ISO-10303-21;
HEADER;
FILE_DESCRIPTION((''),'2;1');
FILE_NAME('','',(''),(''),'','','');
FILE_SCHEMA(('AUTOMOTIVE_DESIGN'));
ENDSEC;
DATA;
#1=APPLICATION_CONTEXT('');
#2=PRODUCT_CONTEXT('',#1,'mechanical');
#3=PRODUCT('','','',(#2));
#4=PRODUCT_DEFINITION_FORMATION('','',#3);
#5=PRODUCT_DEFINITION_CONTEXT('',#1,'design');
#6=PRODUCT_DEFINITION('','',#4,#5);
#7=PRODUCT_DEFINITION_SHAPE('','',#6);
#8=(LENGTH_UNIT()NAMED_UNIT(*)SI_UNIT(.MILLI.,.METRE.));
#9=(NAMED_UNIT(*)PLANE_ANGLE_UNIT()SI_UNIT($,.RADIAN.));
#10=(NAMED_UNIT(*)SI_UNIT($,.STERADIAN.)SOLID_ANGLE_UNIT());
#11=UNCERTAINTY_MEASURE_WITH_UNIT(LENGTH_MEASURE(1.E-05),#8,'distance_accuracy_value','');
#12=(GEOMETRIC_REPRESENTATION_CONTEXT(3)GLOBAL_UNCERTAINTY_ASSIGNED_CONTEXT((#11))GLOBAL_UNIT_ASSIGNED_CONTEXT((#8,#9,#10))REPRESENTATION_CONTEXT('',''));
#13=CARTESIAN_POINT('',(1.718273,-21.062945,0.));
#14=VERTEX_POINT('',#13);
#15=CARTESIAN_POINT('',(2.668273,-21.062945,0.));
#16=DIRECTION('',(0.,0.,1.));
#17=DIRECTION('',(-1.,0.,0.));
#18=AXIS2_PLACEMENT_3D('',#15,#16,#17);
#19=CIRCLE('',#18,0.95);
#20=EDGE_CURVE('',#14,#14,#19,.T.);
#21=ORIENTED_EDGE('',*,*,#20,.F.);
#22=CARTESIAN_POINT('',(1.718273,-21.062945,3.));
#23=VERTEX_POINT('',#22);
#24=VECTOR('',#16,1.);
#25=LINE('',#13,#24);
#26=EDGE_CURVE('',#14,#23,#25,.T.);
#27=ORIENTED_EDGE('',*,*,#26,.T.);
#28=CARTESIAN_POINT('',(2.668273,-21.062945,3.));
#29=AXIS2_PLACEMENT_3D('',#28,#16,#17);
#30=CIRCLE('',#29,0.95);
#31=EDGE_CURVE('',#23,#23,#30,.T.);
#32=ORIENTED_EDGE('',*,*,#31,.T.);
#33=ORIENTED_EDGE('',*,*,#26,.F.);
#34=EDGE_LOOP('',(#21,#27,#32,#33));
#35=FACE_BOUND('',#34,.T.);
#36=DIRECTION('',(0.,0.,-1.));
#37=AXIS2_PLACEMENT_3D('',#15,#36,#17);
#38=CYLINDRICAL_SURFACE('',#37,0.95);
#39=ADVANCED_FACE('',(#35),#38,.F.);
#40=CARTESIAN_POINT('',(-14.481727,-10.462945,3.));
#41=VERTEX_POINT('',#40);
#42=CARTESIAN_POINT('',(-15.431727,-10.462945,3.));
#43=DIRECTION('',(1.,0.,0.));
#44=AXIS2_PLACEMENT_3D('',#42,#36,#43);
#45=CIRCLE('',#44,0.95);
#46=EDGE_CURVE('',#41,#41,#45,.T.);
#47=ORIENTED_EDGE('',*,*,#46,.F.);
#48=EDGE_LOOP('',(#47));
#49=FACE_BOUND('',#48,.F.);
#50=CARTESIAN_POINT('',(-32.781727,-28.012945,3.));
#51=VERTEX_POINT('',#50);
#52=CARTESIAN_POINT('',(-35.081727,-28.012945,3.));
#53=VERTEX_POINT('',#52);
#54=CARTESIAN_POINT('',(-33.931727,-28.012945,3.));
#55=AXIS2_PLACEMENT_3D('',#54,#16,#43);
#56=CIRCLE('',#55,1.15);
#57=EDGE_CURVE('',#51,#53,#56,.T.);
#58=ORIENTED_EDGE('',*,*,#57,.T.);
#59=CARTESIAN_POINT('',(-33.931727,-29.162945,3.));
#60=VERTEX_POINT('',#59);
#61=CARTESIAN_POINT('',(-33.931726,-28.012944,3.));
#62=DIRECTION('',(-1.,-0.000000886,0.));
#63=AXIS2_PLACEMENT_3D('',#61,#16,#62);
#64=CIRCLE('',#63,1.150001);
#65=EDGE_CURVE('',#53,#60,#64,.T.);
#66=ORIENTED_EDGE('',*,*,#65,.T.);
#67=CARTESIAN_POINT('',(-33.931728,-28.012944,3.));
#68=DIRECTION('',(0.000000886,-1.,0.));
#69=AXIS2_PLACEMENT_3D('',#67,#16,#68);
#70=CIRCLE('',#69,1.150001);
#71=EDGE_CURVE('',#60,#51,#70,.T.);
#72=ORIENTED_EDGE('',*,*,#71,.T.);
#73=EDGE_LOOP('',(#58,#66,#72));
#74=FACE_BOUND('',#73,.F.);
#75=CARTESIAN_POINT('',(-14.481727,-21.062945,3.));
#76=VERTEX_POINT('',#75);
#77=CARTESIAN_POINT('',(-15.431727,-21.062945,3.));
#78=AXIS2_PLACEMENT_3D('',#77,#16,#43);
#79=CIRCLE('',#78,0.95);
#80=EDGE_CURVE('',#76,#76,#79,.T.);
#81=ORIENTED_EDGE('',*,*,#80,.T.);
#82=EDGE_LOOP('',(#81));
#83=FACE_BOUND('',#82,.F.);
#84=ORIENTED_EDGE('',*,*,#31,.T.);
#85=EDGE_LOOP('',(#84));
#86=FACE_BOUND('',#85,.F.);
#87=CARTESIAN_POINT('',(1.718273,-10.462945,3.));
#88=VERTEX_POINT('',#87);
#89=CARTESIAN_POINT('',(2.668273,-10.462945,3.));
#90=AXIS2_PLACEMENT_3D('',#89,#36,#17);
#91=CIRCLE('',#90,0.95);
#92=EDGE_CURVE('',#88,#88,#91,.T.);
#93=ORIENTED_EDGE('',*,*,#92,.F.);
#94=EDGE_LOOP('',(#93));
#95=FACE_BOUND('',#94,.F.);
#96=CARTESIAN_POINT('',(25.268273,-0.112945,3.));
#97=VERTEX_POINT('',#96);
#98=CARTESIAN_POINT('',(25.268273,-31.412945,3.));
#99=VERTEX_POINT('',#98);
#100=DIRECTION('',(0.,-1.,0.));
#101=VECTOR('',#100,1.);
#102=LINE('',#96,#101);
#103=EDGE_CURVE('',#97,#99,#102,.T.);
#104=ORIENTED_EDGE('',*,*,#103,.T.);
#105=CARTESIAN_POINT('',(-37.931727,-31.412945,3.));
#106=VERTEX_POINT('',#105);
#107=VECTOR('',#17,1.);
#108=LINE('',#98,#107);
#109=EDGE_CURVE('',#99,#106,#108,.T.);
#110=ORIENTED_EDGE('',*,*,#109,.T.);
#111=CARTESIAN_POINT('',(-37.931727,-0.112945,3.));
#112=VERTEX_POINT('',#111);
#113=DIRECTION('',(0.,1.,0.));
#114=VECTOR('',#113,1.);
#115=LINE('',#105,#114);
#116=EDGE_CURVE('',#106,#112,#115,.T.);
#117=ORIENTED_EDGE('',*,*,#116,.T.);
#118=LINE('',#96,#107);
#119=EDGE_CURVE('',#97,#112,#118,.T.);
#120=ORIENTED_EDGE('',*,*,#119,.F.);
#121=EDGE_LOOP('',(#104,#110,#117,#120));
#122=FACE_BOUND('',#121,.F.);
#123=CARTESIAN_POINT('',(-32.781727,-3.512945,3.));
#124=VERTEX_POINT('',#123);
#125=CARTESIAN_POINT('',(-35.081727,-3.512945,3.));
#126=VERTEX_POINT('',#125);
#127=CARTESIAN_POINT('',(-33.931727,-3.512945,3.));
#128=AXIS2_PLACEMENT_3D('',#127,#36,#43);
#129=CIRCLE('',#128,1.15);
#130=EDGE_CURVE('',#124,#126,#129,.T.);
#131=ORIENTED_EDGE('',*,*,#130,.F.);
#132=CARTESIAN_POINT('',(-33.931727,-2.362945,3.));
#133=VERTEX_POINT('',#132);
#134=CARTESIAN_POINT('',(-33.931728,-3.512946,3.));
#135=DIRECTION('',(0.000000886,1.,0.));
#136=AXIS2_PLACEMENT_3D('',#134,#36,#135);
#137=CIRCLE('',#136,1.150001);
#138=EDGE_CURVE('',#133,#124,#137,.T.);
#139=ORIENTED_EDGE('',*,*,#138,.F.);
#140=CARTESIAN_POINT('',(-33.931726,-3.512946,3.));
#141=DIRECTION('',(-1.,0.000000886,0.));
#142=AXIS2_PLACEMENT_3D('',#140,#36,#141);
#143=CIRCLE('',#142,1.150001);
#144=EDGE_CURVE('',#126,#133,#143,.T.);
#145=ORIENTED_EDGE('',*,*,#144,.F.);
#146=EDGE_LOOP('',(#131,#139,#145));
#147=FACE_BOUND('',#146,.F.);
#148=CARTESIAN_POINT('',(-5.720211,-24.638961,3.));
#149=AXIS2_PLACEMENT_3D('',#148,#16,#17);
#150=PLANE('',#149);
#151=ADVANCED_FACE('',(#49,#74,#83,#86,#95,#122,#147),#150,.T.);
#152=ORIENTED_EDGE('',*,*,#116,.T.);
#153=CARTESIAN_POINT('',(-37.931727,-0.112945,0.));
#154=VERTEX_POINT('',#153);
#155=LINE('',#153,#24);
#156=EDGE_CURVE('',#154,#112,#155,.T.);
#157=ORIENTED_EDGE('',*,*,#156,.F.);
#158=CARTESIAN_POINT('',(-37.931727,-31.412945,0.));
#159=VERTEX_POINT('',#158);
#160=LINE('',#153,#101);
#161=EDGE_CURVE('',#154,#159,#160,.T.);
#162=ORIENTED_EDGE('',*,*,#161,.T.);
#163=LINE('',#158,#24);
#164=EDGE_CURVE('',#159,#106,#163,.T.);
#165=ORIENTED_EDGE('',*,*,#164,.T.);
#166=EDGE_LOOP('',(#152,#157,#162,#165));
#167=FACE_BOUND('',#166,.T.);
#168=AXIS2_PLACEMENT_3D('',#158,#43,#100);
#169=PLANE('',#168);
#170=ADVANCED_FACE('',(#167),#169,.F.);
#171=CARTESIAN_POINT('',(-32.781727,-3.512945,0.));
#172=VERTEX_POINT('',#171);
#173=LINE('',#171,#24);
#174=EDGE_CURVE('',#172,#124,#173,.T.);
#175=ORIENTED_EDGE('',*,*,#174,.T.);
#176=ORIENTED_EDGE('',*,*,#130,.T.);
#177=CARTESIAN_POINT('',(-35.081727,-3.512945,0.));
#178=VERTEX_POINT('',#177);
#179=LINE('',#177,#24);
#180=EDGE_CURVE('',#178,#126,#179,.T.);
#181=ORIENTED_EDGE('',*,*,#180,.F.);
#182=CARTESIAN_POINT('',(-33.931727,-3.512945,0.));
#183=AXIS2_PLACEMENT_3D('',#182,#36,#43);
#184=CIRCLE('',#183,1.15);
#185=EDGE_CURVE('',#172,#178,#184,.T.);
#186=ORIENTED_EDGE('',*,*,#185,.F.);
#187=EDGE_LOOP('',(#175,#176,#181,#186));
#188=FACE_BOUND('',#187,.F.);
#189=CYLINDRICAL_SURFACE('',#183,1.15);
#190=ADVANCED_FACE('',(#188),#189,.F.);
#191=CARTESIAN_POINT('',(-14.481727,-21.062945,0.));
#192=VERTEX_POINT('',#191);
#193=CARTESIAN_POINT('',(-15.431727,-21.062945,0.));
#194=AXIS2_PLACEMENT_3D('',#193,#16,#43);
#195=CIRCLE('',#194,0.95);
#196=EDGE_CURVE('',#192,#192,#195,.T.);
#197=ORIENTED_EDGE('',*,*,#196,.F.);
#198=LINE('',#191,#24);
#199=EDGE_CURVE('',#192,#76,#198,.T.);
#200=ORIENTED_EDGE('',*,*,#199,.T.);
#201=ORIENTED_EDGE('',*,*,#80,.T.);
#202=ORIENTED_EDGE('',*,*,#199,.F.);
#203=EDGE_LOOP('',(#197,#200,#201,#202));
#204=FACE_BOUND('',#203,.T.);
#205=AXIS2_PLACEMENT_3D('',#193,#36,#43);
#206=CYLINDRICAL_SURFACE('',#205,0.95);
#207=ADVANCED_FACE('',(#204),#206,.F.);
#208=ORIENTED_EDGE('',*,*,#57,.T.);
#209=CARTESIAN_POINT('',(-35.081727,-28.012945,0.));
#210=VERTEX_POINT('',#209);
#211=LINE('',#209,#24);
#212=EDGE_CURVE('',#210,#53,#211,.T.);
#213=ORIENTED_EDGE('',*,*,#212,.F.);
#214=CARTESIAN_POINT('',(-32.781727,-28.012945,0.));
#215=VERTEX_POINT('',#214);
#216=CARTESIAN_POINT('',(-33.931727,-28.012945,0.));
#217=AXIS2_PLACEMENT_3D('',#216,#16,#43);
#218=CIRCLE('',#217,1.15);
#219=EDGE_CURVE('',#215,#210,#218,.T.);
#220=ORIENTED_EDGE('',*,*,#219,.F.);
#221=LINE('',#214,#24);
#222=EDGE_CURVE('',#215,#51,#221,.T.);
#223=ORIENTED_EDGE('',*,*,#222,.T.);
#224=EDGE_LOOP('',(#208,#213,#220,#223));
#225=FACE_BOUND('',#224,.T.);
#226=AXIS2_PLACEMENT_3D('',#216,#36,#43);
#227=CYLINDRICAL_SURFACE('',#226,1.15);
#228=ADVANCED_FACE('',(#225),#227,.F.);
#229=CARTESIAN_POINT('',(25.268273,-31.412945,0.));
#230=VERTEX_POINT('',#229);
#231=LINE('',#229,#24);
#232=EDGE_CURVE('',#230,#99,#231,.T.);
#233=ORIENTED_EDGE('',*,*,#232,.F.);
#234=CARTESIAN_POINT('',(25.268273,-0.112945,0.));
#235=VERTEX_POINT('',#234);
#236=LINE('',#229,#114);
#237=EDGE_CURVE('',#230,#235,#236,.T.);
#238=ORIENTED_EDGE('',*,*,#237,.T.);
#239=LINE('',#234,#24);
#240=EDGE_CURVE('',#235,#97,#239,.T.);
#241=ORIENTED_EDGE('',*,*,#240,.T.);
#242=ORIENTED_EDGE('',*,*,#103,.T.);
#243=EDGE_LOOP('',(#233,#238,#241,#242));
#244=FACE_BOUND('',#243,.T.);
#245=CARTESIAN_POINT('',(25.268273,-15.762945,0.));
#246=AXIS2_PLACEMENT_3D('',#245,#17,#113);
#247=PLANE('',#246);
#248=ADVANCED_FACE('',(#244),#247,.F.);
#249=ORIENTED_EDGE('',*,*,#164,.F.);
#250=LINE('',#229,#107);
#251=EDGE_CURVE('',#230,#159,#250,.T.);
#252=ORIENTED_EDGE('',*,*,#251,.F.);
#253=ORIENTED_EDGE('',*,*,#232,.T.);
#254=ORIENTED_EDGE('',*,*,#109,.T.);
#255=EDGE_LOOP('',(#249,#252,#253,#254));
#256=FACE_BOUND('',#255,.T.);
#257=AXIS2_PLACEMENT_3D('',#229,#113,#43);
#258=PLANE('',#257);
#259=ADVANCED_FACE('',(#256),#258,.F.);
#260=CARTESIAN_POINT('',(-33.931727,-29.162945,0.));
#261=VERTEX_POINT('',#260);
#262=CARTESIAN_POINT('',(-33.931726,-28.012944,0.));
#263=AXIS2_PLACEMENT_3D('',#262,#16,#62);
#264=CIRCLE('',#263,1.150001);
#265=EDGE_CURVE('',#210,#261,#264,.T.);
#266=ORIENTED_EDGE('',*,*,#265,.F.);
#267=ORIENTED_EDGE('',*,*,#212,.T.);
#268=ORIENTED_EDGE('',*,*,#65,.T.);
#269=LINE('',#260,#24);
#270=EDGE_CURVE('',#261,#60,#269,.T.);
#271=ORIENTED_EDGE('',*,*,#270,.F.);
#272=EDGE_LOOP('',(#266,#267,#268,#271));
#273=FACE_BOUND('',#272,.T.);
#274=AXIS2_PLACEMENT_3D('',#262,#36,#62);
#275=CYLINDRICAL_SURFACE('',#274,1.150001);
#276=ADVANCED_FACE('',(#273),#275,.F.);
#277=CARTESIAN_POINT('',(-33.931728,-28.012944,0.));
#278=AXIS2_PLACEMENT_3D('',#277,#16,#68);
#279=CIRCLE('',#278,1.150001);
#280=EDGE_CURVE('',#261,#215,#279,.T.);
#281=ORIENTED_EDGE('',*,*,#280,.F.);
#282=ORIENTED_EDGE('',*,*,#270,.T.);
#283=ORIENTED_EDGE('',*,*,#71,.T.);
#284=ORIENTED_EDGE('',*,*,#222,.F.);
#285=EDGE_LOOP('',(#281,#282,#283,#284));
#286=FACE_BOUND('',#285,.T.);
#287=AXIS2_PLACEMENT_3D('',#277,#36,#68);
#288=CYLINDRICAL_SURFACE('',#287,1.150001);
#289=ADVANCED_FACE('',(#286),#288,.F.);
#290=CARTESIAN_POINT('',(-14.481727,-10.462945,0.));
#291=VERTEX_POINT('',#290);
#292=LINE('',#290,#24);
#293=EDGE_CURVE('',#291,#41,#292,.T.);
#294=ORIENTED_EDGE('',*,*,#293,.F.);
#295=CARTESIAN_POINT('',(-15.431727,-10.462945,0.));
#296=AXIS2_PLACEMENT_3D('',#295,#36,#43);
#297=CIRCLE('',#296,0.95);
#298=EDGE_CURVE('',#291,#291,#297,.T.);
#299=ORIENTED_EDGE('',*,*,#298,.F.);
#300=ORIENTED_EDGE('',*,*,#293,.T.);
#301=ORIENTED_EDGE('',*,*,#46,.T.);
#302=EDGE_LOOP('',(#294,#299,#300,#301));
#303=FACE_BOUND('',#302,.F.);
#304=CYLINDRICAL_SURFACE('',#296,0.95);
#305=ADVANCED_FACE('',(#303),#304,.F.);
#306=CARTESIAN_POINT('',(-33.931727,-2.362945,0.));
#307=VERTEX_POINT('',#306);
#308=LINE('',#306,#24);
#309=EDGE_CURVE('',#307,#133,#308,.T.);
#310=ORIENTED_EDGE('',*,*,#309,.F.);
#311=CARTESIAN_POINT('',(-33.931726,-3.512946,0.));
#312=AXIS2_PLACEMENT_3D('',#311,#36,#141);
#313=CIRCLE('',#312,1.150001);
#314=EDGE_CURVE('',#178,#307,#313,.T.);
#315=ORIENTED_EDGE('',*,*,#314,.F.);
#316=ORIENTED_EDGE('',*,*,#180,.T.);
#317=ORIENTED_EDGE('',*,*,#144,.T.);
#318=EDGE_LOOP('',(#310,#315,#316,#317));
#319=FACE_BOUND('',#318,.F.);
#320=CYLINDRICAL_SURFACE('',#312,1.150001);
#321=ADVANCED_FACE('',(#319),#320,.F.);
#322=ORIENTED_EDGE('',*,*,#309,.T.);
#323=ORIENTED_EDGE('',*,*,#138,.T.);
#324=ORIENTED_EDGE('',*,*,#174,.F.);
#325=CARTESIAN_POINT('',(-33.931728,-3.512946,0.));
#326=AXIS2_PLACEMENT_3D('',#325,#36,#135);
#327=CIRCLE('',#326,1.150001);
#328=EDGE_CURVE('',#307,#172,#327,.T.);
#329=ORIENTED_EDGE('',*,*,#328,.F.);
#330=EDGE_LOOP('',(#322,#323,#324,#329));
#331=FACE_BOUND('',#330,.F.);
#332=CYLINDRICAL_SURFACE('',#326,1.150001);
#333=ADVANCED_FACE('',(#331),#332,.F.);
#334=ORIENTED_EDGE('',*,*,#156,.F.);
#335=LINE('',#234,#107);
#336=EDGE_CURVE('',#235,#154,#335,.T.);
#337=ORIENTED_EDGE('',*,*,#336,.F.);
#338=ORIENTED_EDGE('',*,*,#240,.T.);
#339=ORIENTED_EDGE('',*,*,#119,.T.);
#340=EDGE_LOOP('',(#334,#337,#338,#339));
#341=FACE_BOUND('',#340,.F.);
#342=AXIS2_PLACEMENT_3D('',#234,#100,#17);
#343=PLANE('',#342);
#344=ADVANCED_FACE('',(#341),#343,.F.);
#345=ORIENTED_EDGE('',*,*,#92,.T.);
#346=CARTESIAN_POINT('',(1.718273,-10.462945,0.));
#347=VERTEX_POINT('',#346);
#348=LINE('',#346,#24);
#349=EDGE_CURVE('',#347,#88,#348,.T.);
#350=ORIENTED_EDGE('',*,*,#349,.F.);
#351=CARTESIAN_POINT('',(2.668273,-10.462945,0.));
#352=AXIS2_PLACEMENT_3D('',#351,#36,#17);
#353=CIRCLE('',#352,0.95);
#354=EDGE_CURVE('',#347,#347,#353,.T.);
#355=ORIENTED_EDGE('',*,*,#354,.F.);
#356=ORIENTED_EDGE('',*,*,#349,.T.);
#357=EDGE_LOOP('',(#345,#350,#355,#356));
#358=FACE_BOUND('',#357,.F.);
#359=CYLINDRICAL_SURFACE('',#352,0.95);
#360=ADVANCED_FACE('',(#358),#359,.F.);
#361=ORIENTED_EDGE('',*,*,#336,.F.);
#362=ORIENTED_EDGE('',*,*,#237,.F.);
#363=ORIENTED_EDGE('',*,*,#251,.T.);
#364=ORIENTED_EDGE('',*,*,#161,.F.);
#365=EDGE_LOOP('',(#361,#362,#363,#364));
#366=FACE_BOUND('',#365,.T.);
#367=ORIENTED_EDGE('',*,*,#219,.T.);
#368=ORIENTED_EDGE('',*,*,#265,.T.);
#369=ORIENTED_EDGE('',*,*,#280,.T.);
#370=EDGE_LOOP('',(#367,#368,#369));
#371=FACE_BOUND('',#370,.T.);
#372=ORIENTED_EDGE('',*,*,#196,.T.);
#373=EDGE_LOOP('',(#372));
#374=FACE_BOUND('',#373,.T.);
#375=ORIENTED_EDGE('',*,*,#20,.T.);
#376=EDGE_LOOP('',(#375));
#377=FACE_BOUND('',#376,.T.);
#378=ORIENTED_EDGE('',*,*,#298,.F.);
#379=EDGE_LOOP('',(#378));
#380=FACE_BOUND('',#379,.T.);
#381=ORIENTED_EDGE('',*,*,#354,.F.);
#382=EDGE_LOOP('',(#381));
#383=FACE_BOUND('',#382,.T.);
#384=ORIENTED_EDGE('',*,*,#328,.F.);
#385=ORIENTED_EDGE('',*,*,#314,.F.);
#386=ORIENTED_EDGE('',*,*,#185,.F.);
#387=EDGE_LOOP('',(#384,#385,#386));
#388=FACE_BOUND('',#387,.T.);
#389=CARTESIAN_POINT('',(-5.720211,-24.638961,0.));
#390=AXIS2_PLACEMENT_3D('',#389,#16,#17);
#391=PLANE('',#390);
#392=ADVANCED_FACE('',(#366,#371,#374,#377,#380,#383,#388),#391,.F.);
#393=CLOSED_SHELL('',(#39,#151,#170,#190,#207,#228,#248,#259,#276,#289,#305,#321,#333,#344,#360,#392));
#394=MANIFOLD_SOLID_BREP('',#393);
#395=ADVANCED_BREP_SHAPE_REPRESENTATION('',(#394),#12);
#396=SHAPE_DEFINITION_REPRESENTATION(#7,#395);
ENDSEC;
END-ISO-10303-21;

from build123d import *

# Parameters (mm, degrees)
F1_DEPTH = 3


with BuildPart() as f1:
    # F0 (on Top) → F1 (new body)
    with BuildSketch(Plane.XY):
        with BuildLine():
            Line((25.268273, -0.112945), (-33.931727, -0.112945))
            Line((-33.931727, -0.112945), (-33.931727, -2.362945))
            ThreePointArc((-33.931727, -2.362945), (-33.118554, -2.699773), (-32.781727, -3.512945))
            ThreePointArc((-32.781727, -3.512945), (-33.931727, -4.662945), (-35.081727, -3.512945))
            Line((-35.081727, -3.512945), (-37.931727, -3.512945))
            Line((-37.931727, -3.512945), (-37.931727, -10.462945))
            Line((-37.931727, -10.462945), (-16.381727, -10.462945))
            ThreePointArc((-16.381727, -10.462945), (-15.431727, -9.512945), (-14.481727, -10.462945))
            Line((-14.481727, -10.462945), (-5.3, -10.462945))
            Line((-5.3, -10.462945), (-5.3, -15.762945))
            Line((-5.3, -15.762945), (25.268273, -15.762945))
            Line((25.268273, -15.762945), (25.268273, -0.112945))
        make_face()
        with BuildLine():
            ThreePointArc((3.618273, -10.462945), (2.668273, -11.412945), (1.718273, -10.462945))
            ThreePointArc((1.718273, -10.462945), (2.668273, -9.512945), (3.618273, -10.462945))
        make_face(mode=Mode.SUBTRACT)
        with BuildLine():
            Line((-33.931727, -0.112945), (-37.931727, -0.112945))
            Line((-37.931727, -0.112945), (-37.931727, -3.512945))
            Line((-37.931727, -3.512945), (-35.081727, -3.512945))
            ThreePointArc((-35.081727, -3.512945), (-34.7449, -2.699773), (-33.931727, -2.362945))
            Line((-33.931727, -2.362945), (-33.931727, -0.112945))
        make_face()
        with BuildLine():
            Line((-16.381727, -10.462945), (-37.931727, -10.462945))
            Line((-37.931727, -10.462945), (-37.931727, -15.762945))
            Line((-37.931727, -15.762945), (-5.3, -15.762945))
            Line((-5.3, -15.762945), (-5.3, -10.462945))
            Line((-5.3, -10.462945), (-14.481727, -10.462945))
            ThreePointArc((-14.481727, -10.462945), (-15.431727, -11.412945), (-16.381727, -10.462945))
        make_face()
    extrude(amount=F1_DEPTH)

    # F2: F1 across face


with BuildPart() as f1_1:
    add(f1.part)
    add(f1.part.mirror(Plane(origin=(-6.331727, -15.762945, 1.5), x_dir=(1, 0, 0), z_dir=(0, -1, 0))))


solid = f1_1.part
